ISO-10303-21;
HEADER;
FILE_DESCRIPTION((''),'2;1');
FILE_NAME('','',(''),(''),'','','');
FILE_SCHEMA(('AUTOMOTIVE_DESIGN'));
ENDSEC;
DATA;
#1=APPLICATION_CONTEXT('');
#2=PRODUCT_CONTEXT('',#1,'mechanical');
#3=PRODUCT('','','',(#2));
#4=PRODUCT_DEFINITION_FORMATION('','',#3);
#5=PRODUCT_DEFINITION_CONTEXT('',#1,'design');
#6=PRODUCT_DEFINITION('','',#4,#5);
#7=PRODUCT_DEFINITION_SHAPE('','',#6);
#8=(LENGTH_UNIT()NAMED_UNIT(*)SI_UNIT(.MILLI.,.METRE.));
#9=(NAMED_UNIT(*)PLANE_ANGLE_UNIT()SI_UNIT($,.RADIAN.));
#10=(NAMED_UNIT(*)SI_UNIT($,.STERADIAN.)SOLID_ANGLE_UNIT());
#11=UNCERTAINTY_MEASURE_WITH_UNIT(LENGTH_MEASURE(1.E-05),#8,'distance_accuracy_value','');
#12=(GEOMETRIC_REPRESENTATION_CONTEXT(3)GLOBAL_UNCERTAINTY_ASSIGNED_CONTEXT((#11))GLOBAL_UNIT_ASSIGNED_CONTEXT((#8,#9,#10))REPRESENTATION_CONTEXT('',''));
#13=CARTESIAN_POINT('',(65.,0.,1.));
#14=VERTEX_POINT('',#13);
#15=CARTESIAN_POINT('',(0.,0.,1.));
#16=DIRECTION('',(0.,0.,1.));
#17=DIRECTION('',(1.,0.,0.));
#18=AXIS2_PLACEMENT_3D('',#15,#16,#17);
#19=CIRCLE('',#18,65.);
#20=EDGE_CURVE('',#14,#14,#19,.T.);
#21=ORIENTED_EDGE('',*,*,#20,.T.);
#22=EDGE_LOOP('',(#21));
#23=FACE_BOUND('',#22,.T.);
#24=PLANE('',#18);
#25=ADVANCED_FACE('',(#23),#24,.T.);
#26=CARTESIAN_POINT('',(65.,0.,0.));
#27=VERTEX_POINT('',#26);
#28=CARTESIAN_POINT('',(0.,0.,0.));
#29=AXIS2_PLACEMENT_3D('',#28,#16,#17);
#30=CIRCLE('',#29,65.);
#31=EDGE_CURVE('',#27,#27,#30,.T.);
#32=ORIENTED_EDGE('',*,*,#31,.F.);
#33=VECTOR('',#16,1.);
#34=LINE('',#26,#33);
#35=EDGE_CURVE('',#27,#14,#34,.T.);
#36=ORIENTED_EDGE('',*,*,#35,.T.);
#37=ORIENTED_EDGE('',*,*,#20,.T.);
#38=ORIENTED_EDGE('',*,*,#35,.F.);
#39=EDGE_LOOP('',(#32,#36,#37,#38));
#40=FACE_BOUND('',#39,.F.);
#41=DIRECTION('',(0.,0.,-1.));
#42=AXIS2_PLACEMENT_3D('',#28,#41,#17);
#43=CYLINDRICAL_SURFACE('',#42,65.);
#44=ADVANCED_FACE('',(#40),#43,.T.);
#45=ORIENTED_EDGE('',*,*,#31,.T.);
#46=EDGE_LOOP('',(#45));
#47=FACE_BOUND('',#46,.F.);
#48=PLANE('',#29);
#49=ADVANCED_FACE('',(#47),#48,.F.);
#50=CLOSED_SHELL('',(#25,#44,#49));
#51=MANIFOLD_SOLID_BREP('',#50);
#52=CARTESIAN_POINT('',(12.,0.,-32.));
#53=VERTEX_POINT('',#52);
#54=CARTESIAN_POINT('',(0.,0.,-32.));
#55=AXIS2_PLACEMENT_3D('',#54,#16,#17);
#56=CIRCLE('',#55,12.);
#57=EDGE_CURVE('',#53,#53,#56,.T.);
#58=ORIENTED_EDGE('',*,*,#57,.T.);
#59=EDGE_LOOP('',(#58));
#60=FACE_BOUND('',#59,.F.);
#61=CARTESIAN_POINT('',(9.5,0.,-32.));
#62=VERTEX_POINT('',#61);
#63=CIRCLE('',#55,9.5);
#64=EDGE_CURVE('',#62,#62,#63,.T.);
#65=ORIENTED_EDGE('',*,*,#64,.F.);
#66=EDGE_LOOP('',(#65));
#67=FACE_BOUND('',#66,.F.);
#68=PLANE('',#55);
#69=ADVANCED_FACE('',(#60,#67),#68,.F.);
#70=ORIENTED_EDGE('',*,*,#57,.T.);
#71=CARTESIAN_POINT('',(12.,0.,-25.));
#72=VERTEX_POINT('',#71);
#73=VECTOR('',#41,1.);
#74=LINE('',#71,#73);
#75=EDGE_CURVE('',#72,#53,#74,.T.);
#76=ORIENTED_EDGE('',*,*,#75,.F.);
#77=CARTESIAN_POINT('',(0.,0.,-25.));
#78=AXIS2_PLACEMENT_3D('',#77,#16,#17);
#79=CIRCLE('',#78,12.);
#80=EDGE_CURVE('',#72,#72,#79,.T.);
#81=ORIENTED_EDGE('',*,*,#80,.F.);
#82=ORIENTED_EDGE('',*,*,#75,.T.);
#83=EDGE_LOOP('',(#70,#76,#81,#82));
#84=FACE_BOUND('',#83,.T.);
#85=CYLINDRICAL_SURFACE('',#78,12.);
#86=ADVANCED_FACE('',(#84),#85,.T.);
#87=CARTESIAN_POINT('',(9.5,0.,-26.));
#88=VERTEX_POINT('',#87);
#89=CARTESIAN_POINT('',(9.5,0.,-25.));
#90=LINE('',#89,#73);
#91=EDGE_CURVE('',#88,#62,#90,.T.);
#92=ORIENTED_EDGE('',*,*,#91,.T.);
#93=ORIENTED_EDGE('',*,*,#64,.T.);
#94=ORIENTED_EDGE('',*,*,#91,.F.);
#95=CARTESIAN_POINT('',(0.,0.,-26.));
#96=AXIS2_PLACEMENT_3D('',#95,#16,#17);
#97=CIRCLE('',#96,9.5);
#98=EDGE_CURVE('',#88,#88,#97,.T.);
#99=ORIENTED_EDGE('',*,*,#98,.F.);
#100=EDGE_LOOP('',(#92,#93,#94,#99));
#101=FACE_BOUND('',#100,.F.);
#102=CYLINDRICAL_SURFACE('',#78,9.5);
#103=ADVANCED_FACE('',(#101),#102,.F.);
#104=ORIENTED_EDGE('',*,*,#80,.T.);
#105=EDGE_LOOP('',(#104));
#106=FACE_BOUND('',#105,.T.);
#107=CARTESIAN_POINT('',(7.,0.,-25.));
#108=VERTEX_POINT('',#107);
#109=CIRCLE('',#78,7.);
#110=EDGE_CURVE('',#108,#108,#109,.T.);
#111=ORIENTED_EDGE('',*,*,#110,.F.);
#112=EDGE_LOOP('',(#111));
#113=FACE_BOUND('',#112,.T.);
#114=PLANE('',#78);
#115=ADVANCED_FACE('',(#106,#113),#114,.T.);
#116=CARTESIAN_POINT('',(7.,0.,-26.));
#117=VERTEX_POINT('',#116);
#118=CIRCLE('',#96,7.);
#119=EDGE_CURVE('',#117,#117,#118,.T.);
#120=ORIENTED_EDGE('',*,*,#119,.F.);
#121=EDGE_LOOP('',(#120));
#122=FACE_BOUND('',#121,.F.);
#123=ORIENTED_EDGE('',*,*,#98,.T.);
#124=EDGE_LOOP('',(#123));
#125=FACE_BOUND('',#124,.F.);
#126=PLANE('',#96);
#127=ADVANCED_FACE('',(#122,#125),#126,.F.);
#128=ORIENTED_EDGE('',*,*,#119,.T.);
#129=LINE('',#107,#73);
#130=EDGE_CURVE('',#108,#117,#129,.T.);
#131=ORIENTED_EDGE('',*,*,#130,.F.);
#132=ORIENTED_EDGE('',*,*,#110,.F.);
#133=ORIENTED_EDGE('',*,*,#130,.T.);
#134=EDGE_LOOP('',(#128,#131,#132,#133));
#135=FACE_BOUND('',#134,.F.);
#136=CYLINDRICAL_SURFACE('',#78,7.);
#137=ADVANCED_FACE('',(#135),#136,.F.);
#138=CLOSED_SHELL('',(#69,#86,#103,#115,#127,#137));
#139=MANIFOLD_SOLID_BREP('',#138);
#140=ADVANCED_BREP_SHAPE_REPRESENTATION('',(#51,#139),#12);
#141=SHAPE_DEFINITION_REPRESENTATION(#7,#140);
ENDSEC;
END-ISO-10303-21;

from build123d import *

# Parameters (mm, degrees)
F0_R     = 65
F1_DEPTH = 1
F3_R     = 12
F3_R_2   = 9.5
F4_DEPTH = 7
F3_R_3   = 7
F5_DEPTH = 1


with BuildPart() as f1:
    # F0 (on Top) → F1 (new body)
    with BuildSketch(Plane.XY):
        Circle(F0_R)
    extrude(amount=F1_DEPTH)


with BuildPart() as f4:
    # F3 (on offset) → F4 (new body)
    with BuildSketch(Plane.XY.offset(-25)):
        Circle(F3_R)
        Circle(F3_R_2, mode=Mode.SUBTRACT)
    extrude(amount=-F4_DEPTH)

    # F3 (on offset) → F5 (join)
    with BuildSketch(Plane.XY.offset(-25)):
        Circle(F3_R_2)
        Circle(F3_R_3, mode=Mode.SUBTRACT)
    extrude(amount=-F5_DEPTH)


solid = Compound([f1.part, f4.part])
